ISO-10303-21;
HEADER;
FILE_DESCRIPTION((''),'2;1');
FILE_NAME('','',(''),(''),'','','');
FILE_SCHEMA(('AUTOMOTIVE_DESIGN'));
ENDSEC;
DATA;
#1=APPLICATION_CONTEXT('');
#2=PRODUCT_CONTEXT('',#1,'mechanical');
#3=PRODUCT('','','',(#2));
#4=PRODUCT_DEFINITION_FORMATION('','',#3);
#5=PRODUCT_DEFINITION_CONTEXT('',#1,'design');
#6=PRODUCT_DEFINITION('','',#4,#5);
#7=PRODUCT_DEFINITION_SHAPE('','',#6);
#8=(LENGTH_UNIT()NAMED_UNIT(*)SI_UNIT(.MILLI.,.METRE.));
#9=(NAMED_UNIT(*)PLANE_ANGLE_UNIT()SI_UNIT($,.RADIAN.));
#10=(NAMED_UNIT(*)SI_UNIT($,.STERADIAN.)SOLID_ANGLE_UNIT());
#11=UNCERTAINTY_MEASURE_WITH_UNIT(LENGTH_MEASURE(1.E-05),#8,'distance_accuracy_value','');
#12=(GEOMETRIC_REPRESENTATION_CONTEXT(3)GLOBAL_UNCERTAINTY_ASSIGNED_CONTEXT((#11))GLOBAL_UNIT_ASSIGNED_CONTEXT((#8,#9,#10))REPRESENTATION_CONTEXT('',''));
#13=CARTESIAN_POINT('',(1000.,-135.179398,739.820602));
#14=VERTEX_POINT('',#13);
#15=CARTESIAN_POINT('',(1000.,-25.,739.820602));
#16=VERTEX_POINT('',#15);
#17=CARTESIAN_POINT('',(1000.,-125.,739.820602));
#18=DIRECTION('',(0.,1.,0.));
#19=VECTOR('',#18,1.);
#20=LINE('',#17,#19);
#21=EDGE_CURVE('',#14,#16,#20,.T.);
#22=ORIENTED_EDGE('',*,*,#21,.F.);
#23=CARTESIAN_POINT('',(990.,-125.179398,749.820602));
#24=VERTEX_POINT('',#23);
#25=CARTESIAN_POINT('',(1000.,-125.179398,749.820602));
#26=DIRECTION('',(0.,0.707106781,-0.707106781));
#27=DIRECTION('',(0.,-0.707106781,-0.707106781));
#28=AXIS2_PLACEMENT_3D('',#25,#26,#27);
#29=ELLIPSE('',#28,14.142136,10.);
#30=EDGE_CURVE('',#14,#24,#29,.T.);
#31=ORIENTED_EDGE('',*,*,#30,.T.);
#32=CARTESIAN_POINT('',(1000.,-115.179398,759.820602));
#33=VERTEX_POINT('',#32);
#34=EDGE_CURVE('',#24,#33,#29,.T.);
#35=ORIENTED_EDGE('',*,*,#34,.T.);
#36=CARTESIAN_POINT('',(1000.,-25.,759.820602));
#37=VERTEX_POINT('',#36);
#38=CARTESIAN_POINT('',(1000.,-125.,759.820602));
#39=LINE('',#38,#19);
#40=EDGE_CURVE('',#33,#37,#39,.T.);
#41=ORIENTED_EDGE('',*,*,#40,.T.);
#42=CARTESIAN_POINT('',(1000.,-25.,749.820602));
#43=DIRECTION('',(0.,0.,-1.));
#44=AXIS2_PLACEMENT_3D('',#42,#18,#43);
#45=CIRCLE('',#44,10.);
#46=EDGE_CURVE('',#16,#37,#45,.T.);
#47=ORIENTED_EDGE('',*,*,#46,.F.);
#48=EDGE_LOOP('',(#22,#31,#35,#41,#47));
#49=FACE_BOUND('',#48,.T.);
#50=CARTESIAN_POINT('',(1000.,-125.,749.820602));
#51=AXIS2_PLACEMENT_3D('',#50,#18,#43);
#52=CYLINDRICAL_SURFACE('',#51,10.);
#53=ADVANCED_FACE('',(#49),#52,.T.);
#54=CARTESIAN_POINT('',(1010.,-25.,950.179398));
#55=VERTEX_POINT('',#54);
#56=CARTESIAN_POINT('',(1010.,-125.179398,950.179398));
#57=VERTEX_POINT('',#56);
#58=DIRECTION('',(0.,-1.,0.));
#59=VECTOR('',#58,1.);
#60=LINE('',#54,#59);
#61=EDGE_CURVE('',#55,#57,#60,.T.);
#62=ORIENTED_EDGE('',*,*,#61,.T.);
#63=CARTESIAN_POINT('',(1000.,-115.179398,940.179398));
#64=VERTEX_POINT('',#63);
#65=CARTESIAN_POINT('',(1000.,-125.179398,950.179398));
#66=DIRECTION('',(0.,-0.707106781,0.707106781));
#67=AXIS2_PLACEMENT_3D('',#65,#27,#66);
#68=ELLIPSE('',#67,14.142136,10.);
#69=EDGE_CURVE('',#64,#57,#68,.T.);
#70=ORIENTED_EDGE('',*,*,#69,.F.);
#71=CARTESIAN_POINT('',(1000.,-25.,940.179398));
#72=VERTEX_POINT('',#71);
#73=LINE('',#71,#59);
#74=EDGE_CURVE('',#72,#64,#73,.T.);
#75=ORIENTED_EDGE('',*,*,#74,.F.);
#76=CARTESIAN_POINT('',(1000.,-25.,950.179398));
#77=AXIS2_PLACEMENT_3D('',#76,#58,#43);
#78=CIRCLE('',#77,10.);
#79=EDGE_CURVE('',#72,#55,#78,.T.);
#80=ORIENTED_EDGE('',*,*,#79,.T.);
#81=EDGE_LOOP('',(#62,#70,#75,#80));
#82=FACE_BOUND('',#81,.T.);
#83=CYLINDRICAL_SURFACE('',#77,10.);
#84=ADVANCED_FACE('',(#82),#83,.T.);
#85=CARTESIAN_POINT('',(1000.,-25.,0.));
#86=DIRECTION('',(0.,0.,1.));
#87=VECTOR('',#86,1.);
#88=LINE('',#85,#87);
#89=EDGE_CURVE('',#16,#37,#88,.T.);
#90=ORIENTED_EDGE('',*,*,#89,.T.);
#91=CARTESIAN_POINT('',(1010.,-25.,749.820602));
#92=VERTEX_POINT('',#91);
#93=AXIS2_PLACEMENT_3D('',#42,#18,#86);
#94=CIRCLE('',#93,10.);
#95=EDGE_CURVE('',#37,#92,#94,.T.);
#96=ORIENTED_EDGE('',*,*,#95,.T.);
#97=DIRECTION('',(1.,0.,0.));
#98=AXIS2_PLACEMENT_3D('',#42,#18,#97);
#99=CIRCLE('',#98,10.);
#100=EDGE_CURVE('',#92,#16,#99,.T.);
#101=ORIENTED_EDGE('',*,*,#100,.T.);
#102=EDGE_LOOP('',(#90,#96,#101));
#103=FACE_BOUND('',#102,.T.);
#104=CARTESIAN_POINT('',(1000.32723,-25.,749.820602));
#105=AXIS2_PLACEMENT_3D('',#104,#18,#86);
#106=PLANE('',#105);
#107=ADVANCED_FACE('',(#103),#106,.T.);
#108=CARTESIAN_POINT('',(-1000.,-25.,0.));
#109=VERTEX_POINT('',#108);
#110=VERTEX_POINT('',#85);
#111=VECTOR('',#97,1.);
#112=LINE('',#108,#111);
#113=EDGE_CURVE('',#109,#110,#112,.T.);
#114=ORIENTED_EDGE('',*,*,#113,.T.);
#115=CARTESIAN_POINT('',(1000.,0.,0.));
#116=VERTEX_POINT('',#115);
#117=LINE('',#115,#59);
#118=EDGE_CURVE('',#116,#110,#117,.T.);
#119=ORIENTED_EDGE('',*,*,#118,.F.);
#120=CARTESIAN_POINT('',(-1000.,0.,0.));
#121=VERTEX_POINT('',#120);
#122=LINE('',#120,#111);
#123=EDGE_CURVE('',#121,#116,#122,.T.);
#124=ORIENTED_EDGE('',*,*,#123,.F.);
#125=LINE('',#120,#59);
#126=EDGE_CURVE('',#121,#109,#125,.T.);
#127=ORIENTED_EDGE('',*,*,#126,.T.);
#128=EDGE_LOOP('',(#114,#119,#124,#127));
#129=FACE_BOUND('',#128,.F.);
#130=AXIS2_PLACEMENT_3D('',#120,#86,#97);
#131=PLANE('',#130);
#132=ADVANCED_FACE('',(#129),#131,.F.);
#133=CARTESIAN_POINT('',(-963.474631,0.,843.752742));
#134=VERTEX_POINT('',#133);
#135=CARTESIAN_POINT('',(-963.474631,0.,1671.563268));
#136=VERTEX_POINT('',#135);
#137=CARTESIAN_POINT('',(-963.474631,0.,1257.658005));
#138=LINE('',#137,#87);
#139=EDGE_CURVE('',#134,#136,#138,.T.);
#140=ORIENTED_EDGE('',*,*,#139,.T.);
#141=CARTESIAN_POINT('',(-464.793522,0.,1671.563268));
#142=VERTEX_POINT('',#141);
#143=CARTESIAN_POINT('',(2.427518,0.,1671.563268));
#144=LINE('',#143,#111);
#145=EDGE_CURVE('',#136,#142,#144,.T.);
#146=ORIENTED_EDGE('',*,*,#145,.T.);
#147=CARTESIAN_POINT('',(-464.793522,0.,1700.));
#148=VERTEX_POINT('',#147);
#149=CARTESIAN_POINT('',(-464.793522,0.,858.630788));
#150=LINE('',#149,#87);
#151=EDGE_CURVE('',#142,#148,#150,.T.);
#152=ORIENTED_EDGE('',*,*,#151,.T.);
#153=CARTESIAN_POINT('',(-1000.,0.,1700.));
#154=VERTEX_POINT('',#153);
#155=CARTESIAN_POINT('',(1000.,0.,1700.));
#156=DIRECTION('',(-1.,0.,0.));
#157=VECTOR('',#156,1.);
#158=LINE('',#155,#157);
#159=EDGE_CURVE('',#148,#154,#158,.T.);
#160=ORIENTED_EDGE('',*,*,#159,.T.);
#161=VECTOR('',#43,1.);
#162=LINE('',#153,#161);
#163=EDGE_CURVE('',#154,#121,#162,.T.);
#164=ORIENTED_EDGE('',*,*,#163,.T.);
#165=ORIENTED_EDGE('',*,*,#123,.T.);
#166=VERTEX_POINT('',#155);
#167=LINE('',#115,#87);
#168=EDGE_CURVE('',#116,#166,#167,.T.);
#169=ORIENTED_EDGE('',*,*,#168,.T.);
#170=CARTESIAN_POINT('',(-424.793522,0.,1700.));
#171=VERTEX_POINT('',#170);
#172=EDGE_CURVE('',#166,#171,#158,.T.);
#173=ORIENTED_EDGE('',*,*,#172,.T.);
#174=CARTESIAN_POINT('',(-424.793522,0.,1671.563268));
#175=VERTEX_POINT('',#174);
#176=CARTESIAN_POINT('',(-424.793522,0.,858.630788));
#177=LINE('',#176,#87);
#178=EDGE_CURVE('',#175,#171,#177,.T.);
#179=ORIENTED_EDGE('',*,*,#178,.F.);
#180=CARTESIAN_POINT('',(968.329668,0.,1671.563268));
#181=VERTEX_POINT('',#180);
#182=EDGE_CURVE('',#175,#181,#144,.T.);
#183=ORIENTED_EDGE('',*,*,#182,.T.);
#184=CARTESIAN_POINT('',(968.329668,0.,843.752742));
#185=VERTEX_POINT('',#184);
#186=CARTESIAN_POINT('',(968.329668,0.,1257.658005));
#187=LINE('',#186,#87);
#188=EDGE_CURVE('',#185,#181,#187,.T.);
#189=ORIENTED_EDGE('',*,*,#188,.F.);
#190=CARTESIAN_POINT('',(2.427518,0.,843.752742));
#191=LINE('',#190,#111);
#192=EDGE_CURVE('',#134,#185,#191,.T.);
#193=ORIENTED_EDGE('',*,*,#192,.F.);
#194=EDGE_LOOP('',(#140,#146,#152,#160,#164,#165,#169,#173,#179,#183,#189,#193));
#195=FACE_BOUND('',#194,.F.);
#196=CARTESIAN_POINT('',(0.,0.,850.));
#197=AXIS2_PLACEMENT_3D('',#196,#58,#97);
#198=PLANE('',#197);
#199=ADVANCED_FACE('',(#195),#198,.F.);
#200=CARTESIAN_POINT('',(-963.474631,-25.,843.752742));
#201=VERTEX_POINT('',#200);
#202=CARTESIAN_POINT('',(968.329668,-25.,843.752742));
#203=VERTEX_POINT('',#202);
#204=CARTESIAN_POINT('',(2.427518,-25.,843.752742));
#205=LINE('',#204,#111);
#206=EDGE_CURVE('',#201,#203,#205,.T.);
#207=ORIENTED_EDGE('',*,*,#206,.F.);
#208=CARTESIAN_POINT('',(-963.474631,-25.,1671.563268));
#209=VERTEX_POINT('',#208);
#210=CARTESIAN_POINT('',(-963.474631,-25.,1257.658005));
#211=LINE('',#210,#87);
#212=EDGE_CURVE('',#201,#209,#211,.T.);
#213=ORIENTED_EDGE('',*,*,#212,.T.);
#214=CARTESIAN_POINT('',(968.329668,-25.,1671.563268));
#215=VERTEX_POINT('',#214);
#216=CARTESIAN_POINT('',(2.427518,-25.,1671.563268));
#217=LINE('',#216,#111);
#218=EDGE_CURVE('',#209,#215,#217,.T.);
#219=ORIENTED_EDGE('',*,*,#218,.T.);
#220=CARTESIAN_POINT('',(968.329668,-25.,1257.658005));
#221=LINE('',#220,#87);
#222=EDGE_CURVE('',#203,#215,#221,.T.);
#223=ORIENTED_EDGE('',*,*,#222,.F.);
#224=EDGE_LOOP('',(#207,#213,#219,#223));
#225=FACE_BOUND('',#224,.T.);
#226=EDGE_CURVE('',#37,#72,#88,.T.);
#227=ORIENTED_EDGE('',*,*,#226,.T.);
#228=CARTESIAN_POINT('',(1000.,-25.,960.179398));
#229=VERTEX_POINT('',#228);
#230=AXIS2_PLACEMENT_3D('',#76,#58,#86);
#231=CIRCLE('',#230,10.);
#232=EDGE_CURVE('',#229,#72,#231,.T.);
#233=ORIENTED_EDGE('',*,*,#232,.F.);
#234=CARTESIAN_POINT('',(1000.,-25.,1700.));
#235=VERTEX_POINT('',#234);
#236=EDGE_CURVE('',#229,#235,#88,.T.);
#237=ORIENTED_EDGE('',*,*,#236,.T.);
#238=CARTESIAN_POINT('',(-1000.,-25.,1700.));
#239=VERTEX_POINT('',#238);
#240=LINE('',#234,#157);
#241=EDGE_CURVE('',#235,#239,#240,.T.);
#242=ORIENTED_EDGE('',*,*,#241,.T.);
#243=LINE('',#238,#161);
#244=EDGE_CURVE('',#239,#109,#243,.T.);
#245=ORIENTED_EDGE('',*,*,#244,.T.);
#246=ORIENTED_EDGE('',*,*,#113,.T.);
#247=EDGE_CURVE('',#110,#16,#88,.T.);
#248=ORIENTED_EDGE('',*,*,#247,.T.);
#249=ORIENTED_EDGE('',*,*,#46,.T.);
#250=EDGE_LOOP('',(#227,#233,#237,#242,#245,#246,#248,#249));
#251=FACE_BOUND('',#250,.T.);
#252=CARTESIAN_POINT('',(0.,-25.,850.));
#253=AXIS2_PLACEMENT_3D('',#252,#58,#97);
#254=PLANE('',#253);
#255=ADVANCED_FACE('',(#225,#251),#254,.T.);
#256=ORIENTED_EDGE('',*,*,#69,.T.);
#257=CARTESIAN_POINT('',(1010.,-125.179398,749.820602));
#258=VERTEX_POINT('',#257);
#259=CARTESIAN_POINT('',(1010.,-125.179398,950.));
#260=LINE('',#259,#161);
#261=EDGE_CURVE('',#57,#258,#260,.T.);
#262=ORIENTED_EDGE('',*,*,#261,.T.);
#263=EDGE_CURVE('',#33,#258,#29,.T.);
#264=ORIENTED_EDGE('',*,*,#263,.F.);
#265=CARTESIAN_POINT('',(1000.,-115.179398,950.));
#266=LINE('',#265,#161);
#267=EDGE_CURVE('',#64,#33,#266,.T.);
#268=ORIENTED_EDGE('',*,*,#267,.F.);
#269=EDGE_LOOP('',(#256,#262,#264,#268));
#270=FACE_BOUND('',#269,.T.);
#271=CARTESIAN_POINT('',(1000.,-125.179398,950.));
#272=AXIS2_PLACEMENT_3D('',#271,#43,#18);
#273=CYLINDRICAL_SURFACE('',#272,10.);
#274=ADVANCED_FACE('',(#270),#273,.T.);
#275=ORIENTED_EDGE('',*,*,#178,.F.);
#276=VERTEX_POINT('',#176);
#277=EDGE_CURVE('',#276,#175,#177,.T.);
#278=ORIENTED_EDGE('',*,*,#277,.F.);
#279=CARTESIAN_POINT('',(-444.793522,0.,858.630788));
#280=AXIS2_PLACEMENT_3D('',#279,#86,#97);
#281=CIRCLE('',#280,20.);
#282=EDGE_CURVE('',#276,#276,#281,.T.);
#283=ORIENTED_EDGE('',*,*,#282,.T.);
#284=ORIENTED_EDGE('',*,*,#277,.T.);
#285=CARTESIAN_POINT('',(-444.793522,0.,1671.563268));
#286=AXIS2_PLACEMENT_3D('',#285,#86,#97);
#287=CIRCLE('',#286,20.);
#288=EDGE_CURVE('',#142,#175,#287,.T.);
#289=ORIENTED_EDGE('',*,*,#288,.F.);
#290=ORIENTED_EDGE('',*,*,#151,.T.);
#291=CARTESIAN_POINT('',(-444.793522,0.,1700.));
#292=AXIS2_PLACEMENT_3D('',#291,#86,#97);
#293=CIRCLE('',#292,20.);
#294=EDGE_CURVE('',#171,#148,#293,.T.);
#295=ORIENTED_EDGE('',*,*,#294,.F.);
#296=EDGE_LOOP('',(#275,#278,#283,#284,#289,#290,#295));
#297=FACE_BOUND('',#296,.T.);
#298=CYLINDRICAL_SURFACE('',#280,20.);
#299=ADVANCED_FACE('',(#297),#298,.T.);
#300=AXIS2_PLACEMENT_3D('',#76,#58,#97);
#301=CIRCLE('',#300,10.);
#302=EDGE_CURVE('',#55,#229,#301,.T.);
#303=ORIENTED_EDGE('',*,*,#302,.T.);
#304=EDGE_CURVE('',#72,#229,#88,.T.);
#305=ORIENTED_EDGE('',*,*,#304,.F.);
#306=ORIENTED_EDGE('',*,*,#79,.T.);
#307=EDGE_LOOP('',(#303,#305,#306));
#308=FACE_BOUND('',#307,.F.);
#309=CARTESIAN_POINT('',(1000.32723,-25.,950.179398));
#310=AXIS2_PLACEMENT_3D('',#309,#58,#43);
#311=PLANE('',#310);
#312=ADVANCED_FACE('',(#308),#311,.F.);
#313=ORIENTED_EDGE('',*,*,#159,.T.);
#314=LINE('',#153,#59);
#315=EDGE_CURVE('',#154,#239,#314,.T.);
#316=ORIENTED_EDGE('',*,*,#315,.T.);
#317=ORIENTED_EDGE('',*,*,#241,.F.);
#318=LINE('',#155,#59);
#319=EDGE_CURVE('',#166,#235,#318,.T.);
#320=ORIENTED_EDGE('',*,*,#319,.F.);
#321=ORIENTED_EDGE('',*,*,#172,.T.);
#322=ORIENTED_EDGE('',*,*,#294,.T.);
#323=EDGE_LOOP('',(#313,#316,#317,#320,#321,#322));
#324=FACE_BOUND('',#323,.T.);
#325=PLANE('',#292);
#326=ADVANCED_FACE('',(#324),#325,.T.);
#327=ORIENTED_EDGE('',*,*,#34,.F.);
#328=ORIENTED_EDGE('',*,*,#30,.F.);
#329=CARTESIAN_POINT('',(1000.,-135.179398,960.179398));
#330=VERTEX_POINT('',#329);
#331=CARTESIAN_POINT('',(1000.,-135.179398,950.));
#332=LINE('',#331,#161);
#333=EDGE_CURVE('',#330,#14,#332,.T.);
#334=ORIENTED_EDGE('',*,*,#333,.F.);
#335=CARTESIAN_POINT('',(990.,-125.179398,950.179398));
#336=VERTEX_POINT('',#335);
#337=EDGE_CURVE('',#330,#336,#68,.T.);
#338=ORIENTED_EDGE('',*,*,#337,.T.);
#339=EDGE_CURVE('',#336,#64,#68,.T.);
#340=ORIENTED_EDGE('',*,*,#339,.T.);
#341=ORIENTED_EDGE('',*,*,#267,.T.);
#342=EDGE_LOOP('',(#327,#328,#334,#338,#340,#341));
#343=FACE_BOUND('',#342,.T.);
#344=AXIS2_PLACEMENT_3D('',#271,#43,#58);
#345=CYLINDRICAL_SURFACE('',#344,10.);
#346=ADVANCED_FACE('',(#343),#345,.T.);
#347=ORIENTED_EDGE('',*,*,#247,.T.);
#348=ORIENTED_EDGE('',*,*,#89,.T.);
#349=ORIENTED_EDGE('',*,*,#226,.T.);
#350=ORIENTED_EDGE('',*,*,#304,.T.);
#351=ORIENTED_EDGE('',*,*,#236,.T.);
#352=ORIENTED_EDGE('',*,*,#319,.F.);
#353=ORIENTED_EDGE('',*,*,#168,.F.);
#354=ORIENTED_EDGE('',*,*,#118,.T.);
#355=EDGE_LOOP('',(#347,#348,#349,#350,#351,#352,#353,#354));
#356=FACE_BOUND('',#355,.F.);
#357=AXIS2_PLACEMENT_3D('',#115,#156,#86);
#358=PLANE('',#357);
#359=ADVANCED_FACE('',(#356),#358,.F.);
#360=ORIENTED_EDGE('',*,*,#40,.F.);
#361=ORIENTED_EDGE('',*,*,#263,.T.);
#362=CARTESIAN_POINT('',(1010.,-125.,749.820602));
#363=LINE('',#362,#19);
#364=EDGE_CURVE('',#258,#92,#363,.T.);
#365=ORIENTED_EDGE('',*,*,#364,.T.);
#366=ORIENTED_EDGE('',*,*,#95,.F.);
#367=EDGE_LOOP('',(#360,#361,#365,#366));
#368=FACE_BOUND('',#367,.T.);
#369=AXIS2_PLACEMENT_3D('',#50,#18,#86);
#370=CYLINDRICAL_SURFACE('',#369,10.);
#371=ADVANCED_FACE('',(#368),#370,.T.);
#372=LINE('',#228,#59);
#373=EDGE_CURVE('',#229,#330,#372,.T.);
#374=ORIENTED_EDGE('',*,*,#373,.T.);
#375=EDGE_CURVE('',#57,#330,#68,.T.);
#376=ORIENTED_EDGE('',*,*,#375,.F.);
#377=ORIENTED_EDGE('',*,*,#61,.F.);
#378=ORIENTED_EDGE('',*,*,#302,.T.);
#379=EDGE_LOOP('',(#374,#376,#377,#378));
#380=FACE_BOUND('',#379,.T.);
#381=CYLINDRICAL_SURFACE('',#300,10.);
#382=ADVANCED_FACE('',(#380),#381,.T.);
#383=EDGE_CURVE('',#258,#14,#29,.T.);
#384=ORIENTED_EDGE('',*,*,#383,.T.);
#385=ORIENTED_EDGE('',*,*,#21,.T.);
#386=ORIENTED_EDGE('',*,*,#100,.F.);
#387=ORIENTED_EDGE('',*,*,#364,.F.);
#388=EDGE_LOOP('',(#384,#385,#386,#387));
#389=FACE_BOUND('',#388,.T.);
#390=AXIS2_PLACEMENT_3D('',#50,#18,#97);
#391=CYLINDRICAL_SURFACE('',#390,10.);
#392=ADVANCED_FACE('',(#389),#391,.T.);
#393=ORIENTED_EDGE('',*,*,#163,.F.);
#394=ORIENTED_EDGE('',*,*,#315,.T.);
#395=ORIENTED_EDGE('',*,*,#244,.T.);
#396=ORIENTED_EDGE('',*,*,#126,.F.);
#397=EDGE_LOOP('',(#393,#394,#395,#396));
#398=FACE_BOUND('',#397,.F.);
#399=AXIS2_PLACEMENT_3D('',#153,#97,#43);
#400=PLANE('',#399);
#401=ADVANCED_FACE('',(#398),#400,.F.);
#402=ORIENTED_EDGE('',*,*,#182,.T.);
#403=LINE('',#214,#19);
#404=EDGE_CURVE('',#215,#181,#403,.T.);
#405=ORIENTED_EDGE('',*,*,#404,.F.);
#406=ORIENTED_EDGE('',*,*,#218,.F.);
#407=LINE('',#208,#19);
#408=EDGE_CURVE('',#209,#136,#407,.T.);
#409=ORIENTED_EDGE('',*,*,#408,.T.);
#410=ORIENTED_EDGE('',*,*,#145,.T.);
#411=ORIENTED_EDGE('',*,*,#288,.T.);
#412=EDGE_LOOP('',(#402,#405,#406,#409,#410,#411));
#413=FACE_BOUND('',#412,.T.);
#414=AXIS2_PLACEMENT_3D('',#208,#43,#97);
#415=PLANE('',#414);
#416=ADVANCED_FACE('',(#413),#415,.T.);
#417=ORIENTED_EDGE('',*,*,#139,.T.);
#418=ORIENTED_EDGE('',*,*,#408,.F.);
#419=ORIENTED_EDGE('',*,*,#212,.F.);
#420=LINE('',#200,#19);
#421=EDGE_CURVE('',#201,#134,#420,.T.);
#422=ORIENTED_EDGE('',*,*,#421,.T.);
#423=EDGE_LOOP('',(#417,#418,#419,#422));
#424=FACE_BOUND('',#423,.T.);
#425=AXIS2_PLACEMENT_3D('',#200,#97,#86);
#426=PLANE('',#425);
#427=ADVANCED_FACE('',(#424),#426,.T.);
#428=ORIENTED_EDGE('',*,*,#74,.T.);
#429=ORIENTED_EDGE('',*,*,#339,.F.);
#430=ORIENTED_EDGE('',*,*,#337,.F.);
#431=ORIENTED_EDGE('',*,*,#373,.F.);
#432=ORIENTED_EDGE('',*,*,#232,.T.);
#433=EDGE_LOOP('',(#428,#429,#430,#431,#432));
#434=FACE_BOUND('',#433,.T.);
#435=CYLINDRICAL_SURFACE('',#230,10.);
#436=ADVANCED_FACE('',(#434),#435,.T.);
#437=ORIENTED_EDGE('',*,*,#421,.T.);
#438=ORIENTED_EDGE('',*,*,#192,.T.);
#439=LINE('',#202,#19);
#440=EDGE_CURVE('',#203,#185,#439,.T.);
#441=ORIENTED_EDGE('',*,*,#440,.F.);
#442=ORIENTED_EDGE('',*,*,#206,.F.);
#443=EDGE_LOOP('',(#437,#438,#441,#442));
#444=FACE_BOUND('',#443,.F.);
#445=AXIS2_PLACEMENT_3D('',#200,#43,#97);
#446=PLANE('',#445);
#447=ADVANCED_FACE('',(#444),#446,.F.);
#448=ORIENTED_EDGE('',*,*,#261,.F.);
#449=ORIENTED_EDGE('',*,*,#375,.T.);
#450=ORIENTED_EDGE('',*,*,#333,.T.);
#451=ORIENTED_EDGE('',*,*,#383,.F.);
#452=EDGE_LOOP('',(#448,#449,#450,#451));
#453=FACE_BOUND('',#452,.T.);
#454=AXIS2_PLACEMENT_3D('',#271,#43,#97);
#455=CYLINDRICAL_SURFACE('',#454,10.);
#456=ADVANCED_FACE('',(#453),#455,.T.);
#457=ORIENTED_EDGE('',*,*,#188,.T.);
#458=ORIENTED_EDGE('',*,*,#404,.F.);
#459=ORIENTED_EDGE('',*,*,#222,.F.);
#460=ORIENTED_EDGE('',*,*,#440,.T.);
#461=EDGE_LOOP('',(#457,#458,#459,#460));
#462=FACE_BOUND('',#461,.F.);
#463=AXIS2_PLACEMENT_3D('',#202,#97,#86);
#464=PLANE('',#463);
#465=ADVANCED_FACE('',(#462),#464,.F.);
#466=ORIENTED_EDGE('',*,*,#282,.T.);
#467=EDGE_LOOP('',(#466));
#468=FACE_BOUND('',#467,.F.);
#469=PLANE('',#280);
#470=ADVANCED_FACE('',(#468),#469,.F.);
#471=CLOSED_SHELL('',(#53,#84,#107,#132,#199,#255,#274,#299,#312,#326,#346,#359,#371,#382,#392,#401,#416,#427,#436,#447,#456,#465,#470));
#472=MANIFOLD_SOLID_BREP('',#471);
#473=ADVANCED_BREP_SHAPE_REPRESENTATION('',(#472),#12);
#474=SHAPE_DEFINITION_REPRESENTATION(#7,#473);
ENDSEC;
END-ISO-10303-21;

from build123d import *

# Parameters (mm, degrees)
F1_DEPTH = 25
F5_W     = 1931.8042993546
F5_H     = 827.8105258942
F6_DEPTH = 25


with BuildPart() as f1:
    # F0 (on Front) → F1 (new body)
    with BuildSketch(Plane.XZ):
        Polygon((-1000, 0), (0, 0), (1000, 0), (1000, 1700), (0, 1700), (-1000, 1700), align=None)
    extrude(amount=F1_DEPTH)

    # F4: sweep along a path in F2
    with BuildLine(Plane.YZ.offset(1000)) as f4_path:
        Line((-25, 950), (-125, 950))
        Line((-125, 950), (-125, 750))
        Line((-125, 750), (-25, 750))
    # F3 (on face) → F4 (sweep)
    with BuildSketch(Plane.XZ.offset(25)):
        with BuildLine():
            ThreePointArc((1000, 940.1793980598), (1007.0710678119, 943.108330248), (1010, 950.1793980598))
            ThreePointArc((1010, 950.1793980598), (1007.0710678119, 957.2504658717), (1000, 960.1793980598))
            Line((1000, 960.1793980598), (1000, 940.1793980598))
        make_face()
        with BuildLine():
            Line((1000, 940.1793980598), (1000, 960.1793980598))
            ThreePointArc((1000, 960.1793980598), (990, 950.1793980598), (1000, 940.1793980598))
        make_face()
    sweep(path=f4_path.line, transition=Transition.RIGHT)

    # F5 (on face) → F6 (cut)
    with BuildSketch(Plane.XZ.offset(25)):
        with Locations((2.4275183678, 1257.6580047607)):
            Rectangle(F5_W, F5_H)
    extrude(amount=-F6_DEPTH, mode=Mode.SUBTRACT)

    # F9: sweep along a path in F7
    with BuildLine(Plane.XZ) as f9_path:
        Line((0, 847.6967215538), (0, 1689.0659332275))
    # F8 (on face) → F9 (sweep)
    with BuildSketch(Plane.XY.offset(1700)):
        with BuildLine():
            ThreePointArc((-464.7935223579, 0), (-444.7935223579, -20), (-424.7935223579, 0))
            Line((-424.7935223579, 0), (-464.7935223579, 0))
        make_face()
        with BuildLine():
            Line((-464.7935223579, 0), (-424.7935223579, 0))
            ThreePointArc((-424.7935223579, 0), (-444.7935223579, 20), (-464.7935223579, 0))
        make_face()
    sweep(path=f9_path.line)


solid = f1.part
